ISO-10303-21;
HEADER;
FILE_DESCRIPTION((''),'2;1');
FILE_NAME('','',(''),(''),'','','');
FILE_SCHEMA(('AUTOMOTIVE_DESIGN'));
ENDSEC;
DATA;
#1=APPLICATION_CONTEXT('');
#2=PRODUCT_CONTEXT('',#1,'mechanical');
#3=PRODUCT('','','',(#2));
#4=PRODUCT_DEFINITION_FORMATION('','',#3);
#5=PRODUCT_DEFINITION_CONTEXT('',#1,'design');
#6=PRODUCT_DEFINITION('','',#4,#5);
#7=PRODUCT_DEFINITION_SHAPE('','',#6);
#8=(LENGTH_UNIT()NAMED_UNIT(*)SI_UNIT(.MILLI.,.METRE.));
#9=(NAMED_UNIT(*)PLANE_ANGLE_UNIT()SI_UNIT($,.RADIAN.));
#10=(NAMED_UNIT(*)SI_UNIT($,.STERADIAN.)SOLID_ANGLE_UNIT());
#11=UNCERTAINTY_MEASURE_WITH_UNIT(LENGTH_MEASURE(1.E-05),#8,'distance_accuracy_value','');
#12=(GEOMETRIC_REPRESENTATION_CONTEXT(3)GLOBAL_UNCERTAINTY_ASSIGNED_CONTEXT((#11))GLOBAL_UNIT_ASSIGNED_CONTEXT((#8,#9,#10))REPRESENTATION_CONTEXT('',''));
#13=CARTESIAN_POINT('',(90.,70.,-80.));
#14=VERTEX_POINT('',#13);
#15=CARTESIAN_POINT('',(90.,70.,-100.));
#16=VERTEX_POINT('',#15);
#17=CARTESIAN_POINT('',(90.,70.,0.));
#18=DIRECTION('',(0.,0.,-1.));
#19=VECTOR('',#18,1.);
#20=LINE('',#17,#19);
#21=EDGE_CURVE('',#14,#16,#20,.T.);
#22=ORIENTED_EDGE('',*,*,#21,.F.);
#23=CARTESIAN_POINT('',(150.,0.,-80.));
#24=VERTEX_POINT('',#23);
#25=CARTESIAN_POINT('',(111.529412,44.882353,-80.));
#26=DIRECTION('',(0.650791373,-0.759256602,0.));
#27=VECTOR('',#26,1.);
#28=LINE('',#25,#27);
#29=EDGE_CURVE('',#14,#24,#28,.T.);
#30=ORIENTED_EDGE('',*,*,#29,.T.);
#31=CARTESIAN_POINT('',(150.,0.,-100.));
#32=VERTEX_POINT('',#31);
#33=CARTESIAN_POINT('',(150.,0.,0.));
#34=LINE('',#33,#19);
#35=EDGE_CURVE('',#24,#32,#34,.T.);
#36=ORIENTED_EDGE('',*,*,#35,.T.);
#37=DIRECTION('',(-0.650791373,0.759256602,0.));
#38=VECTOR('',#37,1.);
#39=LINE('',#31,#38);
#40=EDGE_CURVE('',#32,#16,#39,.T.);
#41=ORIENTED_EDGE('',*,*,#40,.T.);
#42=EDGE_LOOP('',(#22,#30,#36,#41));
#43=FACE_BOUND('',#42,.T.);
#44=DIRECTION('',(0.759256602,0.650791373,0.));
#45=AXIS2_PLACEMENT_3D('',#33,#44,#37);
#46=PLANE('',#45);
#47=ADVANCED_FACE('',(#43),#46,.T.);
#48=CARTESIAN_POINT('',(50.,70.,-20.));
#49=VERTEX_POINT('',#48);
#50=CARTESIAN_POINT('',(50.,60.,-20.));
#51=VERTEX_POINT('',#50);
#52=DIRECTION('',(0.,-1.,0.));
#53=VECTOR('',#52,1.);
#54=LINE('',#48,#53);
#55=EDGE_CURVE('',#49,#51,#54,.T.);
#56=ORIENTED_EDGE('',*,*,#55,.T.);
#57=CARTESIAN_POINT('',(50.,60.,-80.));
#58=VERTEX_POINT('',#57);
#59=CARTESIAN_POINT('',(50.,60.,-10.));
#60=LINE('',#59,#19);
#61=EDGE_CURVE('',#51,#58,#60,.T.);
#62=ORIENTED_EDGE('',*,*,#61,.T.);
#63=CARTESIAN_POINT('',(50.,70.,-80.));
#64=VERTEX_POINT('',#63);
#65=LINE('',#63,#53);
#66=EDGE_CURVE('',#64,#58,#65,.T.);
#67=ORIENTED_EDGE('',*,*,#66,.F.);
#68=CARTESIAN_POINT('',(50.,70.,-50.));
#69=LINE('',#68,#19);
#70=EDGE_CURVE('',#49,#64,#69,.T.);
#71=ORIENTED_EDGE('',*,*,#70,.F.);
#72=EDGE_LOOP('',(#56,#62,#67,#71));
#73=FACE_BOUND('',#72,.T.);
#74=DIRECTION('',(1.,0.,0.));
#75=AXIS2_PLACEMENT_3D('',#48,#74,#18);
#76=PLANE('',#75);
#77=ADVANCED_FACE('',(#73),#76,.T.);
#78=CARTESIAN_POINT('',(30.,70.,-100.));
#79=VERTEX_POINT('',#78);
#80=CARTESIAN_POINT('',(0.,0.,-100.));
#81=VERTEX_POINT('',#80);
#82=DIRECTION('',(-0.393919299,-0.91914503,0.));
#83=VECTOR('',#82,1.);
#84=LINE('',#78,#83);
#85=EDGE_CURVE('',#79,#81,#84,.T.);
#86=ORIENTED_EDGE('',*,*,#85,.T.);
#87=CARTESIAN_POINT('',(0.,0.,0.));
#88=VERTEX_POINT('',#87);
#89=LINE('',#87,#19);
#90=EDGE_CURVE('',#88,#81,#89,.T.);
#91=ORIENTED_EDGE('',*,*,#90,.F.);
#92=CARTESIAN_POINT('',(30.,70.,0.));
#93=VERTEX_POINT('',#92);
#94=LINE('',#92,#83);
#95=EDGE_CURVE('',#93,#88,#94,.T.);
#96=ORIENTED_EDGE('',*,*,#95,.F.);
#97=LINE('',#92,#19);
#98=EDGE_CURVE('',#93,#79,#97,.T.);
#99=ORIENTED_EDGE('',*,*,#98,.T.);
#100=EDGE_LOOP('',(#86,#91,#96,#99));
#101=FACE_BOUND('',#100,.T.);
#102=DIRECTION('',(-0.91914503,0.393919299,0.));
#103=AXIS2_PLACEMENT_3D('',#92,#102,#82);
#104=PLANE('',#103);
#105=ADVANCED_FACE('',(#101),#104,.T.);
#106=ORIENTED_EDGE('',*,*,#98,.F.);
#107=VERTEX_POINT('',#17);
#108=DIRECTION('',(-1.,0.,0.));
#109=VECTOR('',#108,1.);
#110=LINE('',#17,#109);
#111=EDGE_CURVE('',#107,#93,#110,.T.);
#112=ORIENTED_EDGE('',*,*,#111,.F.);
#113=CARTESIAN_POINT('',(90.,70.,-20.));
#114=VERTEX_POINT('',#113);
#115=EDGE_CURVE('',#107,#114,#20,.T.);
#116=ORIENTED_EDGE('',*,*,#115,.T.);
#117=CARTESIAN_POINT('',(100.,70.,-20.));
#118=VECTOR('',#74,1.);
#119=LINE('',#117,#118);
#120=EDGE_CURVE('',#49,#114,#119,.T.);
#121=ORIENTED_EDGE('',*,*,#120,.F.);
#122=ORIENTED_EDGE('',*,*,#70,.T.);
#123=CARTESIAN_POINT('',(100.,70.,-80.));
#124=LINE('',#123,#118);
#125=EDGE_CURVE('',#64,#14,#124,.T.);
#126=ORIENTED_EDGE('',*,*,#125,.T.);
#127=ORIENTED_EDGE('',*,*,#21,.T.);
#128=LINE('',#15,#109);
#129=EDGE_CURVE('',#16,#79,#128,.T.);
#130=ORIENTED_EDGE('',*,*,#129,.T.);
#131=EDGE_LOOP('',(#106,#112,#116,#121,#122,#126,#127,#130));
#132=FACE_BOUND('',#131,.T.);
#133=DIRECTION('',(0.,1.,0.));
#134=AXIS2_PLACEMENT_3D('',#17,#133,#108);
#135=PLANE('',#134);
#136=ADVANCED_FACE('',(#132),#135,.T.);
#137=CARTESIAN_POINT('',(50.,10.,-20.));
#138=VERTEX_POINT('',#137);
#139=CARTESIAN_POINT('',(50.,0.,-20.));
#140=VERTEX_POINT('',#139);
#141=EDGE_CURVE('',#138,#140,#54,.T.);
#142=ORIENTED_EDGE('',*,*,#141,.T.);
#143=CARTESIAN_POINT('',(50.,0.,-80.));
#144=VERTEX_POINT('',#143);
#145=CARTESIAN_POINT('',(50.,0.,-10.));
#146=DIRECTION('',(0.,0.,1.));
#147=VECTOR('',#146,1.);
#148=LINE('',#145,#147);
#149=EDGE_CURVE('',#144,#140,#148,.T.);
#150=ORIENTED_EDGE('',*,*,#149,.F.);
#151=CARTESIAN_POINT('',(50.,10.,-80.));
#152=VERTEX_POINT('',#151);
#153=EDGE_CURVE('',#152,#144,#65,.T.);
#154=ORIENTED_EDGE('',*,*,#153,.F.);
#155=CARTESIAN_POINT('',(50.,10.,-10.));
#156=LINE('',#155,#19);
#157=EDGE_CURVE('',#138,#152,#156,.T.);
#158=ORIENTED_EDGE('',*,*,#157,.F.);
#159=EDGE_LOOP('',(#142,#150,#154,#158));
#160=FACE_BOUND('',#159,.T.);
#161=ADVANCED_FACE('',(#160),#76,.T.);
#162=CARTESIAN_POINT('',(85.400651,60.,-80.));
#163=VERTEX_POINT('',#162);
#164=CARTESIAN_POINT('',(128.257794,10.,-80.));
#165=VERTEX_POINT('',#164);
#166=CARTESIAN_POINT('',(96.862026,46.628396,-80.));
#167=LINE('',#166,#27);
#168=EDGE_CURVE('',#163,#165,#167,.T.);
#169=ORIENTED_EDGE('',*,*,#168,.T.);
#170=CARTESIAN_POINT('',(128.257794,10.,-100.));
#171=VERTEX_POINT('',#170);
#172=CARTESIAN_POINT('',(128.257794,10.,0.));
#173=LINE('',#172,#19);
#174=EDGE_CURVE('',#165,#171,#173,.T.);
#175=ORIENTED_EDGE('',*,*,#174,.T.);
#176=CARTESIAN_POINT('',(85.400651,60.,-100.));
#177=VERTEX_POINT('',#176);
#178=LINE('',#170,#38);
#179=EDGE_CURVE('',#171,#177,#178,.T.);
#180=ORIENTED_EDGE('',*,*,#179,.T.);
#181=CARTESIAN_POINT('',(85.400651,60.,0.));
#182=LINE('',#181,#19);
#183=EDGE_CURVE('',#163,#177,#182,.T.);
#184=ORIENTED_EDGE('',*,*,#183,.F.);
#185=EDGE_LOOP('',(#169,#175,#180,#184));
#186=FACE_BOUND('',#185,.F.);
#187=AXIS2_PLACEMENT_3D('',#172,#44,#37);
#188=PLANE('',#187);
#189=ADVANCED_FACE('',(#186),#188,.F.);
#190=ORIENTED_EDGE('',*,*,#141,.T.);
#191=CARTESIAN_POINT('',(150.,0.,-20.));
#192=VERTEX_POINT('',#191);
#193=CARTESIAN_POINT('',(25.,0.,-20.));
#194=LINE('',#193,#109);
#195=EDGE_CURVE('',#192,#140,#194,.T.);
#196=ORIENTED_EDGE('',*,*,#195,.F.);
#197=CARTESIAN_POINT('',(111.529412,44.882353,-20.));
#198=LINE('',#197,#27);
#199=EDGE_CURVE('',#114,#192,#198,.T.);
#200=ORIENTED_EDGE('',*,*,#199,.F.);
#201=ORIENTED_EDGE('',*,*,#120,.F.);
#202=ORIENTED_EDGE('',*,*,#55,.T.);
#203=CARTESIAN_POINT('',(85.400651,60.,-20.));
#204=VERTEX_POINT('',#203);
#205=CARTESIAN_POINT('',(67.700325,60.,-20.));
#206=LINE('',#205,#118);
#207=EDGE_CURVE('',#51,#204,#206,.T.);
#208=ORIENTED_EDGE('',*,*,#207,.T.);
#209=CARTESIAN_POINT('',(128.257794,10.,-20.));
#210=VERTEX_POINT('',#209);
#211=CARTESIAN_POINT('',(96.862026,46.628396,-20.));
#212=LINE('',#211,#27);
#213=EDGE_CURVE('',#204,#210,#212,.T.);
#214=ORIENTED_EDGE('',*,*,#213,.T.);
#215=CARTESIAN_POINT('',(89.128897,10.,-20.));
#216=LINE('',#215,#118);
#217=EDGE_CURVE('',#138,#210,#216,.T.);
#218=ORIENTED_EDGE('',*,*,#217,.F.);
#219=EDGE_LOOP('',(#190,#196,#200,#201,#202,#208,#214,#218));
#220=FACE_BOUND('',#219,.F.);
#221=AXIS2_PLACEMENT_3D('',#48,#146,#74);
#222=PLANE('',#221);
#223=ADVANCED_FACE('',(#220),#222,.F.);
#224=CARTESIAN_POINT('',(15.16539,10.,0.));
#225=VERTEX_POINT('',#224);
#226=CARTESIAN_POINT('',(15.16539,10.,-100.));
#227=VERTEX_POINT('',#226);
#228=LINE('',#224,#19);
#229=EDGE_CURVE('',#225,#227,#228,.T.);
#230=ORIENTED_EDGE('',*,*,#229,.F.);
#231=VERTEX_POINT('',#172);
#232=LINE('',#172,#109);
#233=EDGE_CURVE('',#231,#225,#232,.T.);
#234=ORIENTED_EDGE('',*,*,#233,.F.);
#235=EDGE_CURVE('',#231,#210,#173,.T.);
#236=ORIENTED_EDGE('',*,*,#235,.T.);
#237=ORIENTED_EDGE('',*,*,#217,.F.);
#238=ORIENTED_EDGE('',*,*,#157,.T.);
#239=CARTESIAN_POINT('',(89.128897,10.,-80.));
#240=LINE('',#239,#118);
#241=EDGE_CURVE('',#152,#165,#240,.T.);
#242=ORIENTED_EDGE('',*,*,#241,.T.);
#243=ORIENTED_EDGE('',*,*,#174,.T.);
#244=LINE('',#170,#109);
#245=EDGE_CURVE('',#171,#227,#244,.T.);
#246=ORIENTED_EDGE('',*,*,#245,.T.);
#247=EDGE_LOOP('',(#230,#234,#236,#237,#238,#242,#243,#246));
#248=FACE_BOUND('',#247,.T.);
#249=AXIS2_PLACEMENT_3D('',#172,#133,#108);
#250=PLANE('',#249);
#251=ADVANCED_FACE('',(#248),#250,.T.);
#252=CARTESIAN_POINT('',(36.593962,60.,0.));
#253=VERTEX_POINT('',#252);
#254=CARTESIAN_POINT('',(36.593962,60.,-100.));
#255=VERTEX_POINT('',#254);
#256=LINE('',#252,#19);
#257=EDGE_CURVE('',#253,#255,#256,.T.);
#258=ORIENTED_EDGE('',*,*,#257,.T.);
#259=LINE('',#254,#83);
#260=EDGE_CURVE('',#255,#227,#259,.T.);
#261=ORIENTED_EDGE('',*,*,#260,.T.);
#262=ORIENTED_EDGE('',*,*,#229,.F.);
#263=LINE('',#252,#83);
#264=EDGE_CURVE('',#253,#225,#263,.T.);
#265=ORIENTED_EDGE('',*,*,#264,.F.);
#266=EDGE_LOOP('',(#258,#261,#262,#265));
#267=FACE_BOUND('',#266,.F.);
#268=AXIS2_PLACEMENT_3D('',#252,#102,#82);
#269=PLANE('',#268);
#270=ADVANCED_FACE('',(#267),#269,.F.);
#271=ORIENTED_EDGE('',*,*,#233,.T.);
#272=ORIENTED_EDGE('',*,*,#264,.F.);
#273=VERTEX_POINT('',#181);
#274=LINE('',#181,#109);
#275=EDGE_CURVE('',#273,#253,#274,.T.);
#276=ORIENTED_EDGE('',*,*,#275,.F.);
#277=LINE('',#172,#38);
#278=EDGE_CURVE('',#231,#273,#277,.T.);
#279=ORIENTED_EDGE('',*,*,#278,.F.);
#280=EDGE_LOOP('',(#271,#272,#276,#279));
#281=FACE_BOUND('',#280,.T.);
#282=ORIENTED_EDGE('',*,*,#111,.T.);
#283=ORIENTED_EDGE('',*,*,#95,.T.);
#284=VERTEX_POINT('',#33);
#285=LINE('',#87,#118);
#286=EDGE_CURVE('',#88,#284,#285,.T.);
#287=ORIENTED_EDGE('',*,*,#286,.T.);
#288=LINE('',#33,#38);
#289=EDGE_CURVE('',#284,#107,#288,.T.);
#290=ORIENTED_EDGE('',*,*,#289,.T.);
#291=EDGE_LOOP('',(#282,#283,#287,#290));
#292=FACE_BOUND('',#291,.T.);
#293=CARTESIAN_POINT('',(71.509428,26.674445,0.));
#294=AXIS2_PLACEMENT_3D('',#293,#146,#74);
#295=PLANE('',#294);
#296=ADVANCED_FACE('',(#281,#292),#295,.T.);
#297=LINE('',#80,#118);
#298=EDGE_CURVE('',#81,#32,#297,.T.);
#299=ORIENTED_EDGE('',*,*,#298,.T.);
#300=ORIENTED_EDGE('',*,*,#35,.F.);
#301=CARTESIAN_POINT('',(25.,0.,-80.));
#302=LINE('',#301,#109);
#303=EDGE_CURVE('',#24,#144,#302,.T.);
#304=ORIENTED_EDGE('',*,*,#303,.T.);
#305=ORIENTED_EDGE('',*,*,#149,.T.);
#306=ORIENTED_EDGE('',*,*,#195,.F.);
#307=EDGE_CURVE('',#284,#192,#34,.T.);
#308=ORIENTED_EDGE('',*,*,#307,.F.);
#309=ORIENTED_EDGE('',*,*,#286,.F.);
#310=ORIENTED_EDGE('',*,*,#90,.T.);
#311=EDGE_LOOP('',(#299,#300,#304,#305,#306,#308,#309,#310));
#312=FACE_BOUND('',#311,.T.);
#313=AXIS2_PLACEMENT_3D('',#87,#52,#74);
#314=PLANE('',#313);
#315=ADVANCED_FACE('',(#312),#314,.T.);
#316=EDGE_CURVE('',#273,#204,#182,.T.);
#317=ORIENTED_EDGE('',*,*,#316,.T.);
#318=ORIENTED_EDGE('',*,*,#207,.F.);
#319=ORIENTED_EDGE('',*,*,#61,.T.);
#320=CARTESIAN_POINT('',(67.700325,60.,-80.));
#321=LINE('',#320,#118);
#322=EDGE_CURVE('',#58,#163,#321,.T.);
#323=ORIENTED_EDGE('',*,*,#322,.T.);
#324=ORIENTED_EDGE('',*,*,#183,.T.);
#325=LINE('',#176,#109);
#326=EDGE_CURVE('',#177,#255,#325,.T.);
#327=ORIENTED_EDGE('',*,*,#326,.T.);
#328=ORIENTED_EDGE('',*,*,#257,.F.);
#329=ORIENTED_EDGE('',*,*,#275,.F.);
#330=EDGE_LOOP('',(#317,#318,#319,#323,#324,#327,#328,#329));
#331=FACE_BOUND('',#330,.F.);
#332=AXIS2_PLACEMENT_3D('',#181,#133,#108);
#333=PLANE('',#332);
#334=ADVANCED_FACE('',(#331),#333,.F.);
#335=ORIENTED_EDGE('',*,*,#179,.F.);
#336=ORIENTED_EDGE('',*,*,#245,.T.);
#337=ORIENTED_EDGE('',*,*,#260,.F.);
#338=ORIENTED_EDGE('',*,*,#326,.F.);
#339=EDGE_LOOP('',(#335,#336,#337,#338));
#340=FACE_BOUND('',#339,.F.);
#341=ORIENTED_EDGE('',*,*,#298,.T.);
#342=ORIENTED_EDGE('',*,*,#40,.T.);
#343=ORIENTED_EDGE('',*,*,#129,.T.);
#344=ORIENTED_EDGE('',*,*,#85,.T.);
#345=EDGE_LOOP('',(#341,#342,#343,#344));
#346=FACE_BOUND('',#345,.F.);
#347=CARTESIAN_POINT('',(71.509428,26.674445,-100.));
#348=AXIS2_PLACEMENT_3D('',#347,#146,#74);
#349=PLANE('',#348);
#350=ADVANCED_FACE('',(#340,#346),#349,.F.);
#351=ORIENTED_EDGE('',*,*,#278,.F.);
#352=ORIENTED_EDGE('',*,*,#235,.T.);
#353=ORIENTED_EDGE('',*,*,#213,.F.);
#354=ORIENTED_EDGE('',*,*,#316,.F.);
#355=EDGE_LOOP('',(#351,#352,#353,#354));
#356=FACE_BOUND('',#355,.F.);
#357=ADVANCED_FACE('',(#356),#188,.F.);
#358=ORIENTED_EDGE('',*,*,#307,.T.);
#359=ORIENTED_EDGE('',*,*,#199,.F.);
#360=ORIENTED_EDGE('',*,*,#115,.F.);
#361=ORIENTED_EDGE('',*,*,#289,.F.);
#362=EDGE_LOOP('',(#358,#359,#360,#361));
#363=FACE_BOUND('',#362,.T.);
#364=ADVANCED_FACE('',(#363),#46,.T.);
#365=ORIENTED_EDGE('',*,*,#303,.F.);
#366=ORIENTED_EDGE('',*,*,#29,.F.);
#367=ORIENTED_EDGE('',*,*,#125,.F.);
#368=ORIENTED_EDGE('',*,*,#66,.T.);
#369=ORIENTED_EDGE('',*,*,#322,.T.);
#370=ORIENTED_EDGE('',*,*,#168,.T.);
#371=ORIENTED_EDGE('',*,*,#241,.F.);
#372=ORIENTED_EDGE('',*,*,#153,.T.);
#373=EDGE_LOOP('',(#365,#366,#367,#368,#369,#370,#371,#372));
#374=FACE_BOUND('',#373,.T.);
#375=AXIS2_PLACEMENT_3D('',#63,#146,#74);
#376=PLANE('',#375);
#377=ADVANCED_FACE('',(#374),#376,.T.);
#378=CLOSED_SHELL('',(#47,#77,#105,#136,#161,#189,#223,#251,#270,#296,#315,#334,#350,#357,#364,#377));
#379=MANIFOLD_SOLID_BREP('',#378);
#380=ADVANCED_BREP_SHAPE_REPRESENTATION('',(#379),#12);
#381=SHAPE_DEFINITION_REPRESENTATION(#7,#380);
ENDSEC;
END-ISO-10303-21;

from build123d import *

# Parameters (mm, degrees)
EXTRU_MINCE5_DEPTH      = 100
ESQUISSE8_W             = 100
ESQUISSE8_H             = 60
ENL_V_MAT_EXTRU_4_DEPTH = 71


with BuildPart() as part:
    # Esquisse4 → Extru.-Mince5 (new body)
    with BuildSketch(Plane.XY):
        Polygon((150, 0), (90, 70), (30, 70), (0, 0), (30, 0), (90, 0), align=None)
        Polygon((128.257793632, 10), (85.400650775, 60), (36.59396158, 60), (15.165390151, 10), (30, 10), (90, 10), align=None, mode=Mode.SUBTRACT)
    extrude(amount=-EXTRU_MINCE5_DEPTH)

    # Esquisse8 → Enlèv. mat.-Extru.4 (cut, through all)
    with BuildSketch(Plane(origin=(0, 70, 0), x_dir=(1, 0, 0), z_dir=(0, 1, 0))):
        with Locations((100, 50)):
            Rectangle(ESQUISSE8_W, ESQUISSE8_H)
    extrude(amount=-ENL_V_MAT_EXTRU_4_DEPTH, mode=Mode.SUBTRACT)


solid = part.part
